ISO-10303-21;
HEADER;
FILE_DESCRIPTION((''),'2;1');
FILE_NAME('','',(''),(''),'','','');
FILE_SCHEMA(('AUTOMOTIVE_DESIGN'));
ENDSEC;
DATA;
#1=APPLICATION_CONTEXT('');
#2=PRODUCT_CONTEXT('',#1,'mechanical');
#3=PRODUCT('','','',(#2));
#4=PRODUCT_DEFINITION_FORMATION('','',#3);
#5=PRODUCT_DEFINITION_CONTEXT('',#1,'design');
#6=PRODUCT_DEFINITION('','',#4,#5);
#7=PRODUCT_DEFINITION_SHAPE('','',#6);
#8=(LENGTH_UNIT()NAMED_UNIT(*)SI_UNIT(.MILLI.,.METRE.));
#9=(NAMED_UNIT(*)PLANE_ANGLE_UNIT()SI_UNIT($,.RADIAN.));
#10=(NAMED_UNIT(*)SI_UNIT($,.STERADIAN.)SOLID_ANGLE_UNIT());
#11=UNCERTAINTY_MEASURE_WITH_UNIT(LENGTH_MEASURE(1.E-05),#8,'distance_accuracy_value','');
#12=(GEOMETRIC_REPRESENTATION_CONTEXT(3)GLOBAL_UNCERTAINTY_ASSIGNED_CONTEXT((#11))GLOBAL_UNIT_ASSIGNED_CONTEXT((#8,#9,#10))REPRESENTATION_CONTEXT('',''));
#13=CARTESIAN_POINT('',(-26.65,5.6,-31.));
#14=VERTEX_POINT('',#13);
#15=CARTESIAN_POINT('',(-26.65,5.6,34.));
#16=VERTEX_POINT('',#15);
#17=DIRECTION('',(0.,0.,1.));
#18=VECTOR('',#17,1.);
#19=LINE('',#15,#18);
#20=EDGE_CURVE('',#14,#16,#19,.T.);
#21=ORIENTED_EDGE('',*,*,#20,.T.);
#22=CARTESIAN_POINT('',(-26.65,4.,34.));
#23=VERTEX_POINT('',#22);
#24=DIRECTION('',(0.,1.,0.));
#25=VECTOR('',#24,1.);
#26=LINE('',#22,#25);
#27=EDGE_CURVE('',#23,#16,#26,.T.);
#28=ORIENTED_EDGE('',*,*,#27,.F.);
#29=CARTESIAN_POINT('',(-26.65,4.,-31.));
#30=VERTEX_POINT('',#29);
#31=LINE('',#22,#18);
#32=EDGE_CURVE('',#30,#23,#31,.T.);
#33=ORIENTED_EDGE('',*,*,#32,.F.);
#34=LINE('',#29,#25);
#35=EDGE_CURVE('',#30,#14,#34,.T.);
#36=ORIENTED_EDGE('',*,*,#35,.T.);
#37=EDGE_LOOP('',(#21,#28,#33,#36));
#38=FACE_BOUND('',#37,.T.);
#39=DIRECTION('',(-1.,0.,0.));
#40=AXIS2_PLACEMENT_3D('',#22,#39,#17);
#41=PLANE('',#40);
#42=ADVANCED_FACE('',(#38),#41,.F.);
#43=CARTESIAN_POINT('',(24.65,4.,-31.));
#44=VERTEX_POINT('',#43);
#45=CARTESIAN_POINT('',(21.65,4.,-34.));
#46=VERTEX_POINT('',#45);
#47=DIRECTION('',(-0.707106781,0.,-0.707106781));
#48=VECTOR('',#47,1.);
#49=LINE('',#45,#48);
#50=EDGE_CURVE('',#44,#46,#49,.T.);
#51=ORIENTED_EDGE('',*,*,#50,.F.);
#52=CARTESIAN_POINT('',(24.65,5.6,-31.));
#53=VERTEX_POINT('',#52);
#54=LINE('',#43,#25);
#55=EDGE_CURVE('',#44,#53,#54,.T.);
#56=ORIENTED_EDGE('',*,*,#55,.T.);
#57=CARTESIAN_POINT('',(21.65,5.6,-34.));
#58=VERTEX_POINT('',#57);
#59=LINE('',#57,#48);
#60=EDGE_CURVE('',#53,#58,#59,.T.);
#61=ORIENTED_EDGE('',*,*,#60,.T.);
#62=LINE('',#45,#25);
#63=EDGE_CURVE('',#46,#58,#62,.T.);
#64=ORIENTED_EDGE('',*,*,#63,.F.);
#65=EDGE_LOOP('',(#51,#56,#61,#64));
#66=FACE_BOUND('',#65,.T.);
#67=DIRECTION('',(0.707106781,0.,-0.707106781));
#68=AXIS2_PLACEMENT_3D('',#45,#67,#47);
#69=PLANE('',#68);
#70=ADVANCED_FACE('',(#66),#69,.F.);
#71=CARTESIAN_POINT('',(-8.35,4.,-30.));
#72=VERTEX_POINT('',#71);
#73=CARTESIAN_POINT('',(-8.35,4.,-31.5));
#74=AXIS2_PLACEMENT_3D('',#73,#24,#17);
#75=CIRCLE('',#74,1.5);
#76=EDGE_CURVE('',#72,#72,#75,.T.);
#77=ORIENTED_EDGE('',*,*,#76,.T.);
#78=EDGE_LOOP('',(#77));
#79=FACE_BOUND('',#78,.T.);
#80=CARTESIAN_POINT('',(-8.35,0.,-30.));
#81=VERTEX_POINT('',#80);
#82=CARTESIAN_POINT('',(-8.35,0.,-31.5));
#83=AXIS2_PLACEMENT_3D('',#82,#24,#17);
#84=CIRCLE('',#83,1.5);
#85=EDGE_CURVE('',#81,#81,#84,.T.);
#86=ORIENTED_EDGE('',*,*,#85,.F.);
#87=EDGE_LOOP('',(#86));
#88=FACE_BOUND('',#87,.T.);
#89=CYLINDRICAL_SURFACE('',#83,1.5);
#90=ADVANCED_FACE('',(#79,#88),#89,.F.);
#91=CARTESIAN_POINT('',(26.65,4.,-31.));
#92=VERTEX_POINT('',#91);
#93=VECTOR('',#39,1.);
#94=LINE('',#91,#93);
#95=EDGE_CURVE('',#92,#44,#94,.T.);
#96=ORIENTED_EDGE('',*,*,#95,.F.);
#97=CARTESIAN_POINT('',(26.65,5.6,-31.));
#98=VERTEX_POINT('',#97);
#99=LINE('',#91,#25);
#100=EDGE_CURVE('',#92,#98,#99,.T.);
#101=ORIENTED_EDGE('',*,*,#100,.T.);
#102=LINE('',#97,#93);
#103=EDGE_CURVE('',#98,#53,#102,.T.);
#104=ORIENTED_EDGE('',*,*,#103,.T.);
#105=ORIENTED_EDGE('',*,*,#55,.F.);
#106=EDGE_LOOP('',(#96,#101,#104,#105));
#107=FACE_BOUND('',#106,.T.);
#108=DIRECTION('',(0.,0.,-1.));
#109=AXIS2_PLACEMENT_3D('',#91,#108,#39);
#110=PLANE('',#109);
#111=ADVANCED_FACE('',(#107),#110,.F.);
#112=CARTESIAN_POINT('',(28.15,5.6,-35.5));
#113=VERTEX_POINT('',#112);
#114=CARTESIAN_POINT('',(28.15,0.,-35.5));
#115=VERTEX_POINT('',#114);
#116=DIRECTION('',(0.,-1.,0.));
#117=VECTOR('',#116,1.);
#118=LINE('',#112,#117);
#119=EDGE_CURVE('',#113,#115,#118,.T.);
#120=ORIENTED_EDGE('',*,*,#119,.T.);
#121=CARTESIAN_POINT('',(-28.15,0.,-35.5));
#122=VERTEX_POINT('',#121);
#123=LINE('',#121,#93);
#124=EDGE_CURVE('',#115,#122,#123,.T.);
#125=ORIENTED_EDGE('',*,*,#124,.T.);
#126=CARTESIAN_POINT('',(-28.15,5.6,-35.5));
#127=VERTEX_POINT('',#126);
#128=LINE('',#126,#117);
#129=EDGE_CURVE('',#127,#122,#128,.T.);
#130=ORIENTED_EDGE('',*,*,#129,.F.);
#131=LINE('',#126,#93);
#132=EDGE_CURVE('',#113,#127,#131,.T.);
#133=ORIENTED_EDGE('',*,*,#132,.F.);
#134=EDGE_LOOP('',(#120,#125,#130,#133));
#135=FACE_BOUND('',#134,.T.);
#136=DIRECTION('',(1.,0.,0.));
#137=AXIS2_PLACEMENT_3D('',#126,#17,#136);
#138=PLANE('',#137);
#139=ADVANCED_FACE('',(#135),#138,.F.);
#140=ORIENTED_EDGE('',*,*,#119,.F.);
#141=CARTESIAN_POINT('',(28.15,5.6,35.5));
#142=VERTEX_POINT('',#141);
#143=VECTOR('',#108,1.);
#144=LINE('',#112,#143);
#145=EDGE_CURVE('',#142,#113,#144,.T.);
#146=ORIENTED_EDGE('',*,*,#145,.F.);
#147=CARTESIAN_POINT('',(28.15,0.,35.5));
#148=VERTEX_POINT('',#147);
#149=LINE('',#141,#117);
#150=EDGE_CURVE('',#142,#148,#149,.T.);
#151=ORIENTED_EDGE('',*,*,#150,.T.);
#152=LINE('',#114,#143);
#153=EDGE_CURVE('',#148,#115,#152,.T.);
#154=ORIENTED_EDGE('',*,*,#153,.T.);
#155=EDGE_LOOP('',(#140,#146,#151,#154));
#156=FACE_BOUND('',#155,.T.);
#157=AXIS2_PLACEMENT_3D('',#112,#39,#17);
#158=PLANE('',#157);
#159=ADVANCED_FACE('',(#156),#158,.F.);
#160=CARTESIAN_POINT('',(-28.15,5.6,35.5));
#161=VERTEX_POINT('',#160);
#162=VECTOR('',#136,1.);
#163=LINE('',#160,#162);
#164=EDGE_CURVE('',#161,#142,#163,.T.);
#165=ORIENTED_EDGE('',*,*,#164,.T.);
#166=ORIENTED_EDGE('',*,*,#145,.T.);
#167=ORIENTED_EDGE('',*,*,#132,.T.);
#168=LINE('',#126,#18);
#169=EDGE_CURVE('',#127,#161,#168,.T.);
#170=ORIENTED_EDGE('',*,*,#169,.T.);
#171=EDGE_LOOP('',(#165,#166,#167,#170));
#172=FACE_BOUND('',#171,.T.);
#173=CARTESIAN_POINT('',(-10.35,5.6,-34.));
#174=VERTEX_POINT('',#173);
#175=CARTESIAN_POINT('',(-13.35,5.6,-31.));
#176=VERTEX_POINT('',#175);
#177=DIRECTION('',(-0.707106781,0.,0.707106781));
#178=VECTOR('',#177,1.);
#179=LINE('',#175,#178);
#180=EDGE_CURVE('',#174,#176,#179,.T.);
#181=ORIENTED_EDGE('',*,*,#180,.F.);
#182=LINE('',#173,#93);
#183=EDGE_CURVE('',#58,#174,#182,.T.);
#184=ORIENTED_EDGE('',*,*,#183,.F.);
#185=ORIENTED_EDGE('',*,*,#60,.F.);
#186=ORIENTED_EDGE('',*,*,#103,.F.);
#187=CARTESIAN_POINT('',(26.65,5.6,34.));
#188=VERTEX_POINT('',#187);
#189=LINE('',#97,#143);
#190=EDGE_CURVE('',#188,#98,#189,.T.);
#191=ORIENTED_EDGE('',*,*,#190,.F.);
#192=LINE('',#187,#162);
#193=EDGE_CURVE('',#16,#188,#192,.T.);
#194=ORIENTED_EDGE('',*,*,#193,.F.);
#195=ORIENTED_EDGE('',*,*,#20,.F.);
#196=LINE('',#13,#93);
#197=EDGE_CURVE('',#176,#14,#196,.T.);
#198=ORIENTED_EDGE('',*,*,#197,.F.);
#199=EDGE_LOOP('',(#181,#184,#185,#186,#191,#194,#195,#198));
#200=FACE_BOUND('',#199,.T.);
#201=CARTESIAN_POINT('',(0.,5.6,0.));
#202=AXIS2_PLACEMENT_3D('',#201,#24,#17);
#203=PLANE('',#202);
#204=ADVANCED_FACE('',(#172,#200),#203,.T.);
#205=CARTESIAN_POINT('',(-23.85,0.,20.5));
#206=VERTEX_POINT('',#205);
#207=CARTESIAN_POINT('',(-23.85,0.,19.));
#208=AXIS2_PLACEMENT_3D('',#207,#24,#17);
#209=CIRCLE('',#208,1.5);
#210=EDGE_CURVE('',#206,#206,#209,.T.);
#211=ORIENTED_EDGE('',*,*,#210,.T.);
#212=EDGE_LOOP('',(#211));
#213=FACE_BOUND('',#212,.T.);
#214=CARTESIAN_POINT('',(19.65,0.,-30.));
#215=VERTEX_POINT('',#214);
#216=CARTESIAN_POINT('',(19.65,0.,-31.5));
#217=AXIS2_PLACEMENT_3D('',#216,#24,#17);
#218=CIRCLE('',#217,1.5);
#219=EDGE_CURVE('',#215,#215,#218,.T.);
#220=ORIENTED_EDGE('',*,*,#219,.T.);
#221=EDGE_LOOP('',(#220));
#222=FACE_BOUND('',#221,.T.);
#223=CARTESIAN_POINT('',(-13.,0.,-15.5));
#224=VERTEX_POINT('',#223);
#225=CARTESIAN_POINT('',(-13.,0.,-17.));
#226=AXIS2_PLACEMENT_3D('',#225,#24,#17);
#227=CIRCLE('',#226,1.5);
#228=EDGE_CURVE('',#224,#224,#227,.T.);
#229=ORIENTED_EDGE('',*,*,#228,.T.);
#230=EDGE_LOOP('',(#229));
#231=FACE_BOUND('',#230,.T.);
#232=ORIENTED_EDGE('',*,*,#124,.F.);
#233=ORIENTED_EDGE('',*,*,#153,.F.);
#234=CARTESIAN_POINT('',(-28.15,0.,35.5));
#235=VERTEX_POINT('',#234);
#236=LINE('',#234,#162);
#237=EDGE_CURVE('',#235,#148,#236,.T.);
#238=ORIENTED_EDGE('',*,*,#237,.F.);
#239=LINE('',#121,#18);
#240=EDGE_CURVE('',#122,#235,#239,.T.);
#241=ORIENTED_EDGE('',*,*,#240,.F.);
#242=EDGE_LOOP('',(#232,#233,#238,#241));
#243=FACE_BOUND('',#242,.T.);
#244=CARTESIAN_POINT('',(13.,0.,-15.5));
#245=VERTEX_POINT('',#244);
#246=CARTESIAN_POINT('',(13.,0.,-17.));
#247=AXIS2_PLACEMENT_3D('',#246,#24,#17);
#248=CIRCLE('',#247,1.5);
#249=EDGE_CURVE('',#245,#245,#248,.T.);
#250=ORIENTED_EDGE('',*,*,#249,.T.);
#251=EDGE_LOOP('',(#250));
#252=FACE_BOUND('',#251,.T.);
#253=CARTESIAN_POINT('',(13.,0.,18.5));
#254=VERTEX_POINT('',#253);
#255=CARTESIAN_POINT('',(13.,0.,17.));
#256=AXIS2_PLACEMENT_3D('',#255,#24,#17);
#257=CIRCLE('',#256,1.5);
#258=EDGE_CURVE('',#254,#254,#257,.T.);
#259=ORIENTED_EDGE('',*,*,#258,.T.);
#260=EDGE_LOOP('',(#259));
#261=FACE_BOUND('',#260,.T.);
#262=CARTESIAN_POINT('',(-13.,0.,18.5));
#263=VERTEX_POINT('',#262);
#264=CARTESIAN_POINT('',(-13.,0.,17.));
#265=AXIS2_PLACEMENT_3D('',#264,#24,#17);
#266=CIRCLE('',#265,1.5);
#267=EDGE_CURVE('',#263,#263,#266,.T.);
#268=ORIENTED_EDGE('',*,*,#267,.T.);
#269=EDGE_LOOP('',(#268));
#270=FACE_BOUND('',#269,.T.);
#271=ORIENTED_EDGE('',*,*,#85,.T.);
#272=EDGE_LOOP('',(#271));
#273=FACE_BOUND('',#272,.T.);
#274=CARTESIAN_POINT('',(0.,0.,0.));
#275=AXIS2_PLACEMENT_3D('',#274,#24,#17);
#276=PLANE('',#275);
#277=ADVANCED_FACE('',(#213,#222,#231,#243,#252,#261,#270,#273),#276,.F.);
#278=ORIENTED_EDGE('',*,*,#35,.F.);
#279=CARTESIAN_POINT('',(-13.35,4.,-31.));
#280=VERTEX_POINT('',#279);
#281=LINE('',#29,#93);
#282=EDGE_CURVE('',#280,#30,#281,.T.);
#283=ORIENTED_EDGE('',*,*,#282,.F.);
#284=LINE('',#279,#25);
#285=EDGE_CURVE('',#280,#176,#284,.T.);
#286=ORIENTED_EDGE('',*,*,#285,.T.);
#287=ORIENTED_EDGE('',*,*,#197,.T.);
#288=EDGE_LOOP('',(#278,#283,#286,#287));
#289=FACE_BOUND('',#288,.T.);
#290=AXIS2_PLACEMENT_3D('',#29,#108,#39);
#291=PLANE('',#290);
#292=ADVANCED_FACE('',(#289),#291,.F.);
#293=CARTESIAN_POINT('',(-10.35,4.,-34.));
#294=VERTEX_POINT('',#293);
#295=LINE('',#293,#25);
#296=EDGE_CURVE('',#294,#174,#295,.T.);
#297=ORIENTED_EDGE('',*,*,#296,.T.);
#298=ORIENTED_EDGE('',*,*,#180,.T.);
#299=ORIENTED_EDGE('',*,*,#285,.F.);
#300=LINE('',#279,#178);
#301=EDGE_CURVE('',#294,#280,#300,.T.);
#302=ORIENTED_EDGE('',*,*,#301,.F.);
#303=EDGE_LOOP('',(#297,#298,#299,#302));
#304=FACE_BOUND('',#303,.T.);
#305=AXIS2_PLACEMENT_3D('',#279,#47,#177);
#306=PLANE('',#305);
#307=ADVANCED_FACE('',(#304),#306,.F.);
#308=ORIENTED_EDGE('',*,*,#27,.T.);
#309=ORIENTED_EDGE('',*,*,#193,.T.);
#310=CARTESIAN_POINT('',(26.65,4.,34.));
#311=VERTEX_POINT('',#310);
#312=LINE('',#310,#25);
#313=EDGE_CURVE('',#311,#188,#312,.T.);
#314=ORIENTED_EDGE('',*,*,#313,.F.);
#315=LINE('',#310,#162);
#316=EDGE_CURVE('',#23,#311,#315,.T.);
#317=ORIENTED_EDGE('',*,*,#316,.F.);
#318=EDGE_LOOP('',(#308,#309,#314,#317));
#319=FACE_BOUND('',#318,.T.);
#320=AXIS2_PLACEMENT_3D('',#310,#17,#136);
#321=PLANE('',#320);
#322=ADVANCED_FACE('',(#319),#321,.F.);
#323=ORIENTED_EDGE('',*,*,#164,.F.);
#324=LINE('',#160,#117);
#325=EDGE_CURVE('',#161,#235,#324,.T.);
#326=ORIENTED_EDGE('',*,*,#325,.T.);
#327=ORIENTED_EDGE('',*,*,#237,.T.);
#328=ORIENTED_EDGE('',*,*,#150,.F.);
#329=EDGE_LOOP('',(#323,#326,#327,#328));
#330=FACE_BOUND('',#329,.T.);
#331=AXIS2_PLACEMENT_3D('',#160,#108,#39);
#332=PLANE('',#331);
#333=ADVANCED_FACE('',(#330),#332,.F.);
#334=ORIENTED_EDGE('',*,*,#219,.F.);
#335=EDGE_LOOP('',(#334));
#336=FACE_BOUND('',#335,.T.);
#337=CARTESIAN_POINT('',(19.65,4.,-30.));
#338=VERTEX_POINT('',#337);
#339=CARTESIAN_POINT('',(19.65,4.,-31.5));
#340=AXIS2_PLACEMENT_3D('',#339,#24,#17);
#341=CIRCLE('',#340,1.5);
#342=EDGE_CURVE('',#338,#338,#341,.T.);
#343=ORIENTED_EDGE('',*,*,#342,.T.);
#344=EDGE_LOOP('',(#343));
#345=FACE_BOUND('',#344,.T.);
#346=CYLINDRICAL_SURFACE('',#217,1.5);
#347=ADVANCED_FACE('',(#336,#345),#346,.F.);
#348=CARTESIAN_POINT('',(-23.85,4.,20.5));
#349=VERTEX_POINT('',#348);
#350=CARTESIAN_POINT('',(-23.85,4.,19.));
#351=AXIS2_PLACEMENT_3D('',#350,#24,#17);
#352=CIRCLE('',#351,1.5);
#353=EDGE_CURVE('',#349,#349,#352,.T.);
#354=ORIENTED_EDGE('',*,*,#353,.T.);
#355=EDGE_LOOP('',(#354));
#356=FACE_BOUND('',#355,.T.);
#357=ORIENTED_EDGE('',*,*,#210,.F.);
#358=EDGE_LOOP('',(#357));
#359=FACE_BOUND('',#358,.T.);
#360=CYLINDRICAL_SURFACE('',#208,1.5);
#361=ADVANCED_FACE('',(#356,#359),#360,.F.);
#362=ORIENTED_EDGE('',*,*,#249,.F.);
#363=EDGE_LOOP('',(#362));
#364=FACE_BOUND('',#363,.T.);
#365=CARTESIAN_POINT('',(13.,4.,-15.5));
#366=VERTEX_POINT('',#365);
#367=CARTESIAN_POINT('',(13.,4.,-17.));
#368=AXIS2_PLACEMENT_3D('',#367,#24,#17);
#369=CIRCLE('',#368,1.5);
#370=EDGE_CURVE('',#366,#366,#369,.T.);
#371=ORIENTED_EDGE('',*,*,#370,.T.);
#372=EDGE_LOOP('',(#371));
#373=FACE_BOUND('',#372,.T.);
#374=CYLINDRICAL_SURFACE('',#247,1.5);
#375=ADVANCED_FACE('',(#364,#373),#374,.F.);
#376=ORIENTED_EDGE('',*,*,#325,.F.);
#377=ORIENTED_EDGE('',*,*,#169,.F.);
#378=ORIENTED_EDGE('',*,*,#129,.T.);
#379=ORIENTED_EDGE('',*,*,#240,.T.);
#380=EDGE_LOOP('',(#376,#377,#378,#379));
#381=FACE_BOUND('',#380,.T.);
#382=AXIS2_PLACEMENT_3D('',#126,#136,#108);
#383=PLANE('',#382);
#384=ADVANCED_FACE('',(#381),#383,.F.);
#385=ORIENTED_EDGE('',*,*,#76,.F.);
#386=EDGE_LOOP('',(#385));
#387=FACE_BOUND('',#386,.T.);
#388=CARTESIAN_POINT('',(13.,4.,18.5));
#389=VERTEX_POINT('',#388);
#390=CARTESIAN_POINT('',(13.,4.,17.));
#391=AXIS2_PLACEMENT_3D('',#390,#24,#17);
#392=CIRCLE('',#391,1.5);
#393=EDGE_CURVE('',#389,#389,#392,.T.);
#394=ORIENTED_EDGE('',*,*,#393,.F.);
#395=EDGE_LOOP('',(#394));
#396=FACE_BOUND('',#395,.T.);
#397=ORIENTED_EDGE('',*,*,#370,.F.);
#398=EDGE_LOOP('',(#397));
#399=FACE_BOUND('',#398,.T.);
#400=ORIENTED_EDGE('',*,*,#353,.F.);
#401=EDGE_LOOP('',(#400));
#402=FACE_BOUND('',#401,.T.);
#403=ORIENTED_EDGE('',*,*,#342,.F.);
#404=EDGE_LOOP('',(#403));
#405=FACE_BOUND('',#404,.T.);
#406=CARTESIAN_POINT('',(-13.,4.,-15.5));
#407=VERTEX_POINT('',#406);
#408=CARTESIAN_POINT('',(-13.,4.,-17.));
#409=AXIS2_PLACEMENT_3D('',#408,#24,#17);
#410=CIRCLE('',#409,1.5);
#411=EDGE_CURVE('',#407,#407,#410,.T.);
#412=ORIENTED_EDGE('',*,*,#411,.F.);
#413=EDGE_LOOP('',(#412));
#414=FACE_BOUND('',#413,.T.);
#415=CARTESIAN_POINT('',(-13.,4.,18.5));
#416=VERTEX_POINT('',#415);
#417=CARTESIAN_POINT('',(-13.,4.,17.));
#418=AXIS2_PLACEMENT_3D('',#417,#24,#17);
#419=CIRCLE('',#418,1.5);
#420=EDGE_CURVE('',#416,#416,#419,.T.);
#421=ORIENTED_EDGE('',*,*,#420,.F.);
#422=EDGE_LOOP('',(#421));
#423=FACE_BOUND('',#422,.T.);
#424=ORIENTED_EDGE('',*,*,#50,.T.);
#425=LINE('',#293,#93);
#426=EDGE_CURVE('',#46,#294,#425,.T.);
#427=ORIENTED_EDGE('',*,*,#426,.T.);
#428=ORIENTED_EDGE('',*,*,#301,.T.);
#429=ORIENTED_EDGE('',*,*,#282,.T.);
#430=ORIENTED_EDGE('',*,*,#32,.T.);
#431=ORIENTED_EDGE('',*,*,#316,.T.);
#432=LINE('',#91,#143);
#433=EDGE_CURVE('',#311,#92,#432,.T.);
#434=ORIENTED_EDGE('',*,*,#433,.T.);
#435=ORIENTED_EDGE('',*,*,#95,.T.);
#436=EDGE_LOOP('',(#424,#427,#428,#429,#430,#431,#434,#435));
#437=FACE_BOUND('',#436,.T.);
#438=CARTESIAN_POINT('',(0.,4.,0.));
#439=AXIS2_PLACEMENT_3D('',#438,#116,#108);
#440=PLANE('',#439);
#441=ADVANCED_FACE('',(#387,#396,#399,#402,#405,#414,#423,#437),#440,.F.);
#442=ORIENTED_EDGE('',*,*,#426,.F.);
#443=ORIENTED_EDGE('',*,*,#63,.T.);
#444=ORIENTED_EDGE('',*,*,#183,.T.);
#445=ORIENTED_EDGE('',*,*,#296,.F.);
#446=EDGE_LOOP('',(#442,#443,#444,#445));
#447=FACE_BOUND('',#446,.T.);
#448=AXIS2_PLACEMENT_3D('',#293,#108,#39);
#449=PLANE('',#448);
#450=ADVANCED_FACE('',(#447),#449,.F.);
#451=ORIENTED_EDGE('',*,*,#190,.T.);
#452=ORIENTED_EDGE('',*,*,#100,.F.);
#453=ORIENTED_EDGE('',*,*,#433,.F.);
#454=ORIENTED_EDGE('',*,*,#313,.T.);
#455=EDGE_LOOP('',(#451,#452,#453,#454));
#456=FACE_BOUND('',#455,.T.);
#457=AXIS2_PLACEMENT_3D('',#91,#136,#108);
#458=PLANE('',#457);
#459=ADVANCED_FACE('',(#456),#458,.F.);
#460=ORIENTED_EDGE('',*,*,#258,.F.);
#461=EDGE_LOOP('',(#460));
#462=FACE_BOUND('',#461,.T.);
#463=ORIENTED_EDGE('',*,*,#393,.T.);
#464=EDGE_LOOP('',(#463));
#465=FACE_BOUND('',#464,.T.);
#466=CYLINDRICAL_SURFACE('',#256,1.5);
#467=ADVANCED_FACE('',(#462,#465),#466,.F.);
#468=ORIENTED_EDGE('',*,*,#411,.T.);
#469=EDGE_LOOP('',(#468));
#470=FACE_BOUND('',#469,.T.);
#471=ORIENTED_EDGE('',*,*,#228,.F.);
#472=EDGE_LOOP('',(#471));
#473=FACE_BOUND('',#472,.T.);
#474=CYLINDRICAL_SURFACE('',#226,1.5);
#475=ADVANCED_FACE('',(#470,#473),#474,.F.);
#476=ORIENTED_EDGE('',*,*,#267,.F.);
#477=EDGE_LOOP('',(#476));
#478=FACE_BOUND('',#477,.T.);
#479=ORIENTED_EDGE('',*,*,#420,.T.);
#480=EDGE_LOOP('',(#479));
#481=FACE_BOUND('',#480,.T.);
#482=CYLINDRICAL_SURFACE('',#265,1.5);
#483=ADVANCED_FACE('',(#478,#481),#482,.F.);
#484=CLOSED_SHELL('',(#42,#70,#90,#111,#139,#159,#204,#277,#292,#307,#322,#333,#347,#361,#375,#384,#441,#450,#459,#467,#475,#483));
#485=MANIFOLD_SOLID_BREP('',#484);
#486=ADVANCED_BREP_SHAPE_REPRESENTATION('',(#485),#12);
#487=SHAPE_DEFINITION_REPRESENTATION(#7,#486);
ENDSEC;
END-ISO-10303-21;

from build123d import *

# Parameters (mm, degrees)
SKETCH1_W           = 56.3
SKETCH1_H           = 71
BOSS_EXTRUDE1_DEPTH = 5.6
CUT_EXTRUDE1_DEPTH  = 1.6
SKETCH3_R           = 1.5
CUT_EXTRUDE2_DEPTH  = 4
SKETCH5_R           = 1.5
CUT_EXTRUDE3_DEPTH  = 4


with BuildPart() as part:
    # Sketch1 → Boss-Extrude1 (new body)
    with BuildSketch(Plane(origin=(0, 0, 0), x_dir=(1, 0, 0), z_dir=(0, 1, 0))):
        Rectangle(SKETCH1_W, SKETCH1_H)
    extrude(amount=BOSS_EXTRUDE1_DEPTH)

    # Sketch2 → Cut-Extrude1 (cut)
    with BuildSketch(Plane(origin=(0, 5.6, 0), x_dir=(1, 0, 0), z_dir=(0, 1, 0))):
        Polygon((26.65, -34), (-26.65, -34), (-26.65, 31), (-13.35, 31), (-10.35, 34), (21.65, 34), (24.65, 31), (26.65, 31), align=None)
    extrude(amount=-CUT_EXTRUDE1_DEPTH, mode=Mode.SUBTRACT)

    # Sketch3 → Cut-Extrude2 (cut)
    with BuildSketch(Plane(origin=(0, 4, 0), x_dir=(1, 0, 0), z_dir=(0, 1, 0))):
        with Locations(Location((-8.35, 31.5, 0), (0, 0, 270))):
            Circle(SKETCH3_R)
        with Locations(Location((19.65, 31.5, 0), (0, 0, 270))):
            Circle(SKETCH3_R)
        with Locations(Location((-23.85, -19, 0), (0, 0, 270))):
            Circle(SKETCH3_R)
    extrude(amount=-CUT_EXTRUDE2_DEPTH, mode=Mode.SUBTRACT)

    # Sketch5 → Cut-Extrude3 (cut)
    with BuildSketch(Plane(origin=(0, 4, 0), x_dir=(1, 0, 0), z_dir=(0, 1, 0))):
        with Locations(Location((-13, 17, 0), (0, 0, 270))):
            Circle(SKETCH5_R)
        with Locations(Location((13, -17, 0), (0, 0, 270))):
            Circle(SKETCH5_R)
        with Locations(Location((13, 17, 0), (0, 0, 270))):
            Circle(SKETCH5_R)
        with Locations(Location((-13, -17, 0), (0, 0, 270))):
            Circle(SKETCH5_R)
    extrude(amount=-CUT_EXTRUDE3_DEPTH, mode=Mode.SUBTRACT)


solid = part.part
